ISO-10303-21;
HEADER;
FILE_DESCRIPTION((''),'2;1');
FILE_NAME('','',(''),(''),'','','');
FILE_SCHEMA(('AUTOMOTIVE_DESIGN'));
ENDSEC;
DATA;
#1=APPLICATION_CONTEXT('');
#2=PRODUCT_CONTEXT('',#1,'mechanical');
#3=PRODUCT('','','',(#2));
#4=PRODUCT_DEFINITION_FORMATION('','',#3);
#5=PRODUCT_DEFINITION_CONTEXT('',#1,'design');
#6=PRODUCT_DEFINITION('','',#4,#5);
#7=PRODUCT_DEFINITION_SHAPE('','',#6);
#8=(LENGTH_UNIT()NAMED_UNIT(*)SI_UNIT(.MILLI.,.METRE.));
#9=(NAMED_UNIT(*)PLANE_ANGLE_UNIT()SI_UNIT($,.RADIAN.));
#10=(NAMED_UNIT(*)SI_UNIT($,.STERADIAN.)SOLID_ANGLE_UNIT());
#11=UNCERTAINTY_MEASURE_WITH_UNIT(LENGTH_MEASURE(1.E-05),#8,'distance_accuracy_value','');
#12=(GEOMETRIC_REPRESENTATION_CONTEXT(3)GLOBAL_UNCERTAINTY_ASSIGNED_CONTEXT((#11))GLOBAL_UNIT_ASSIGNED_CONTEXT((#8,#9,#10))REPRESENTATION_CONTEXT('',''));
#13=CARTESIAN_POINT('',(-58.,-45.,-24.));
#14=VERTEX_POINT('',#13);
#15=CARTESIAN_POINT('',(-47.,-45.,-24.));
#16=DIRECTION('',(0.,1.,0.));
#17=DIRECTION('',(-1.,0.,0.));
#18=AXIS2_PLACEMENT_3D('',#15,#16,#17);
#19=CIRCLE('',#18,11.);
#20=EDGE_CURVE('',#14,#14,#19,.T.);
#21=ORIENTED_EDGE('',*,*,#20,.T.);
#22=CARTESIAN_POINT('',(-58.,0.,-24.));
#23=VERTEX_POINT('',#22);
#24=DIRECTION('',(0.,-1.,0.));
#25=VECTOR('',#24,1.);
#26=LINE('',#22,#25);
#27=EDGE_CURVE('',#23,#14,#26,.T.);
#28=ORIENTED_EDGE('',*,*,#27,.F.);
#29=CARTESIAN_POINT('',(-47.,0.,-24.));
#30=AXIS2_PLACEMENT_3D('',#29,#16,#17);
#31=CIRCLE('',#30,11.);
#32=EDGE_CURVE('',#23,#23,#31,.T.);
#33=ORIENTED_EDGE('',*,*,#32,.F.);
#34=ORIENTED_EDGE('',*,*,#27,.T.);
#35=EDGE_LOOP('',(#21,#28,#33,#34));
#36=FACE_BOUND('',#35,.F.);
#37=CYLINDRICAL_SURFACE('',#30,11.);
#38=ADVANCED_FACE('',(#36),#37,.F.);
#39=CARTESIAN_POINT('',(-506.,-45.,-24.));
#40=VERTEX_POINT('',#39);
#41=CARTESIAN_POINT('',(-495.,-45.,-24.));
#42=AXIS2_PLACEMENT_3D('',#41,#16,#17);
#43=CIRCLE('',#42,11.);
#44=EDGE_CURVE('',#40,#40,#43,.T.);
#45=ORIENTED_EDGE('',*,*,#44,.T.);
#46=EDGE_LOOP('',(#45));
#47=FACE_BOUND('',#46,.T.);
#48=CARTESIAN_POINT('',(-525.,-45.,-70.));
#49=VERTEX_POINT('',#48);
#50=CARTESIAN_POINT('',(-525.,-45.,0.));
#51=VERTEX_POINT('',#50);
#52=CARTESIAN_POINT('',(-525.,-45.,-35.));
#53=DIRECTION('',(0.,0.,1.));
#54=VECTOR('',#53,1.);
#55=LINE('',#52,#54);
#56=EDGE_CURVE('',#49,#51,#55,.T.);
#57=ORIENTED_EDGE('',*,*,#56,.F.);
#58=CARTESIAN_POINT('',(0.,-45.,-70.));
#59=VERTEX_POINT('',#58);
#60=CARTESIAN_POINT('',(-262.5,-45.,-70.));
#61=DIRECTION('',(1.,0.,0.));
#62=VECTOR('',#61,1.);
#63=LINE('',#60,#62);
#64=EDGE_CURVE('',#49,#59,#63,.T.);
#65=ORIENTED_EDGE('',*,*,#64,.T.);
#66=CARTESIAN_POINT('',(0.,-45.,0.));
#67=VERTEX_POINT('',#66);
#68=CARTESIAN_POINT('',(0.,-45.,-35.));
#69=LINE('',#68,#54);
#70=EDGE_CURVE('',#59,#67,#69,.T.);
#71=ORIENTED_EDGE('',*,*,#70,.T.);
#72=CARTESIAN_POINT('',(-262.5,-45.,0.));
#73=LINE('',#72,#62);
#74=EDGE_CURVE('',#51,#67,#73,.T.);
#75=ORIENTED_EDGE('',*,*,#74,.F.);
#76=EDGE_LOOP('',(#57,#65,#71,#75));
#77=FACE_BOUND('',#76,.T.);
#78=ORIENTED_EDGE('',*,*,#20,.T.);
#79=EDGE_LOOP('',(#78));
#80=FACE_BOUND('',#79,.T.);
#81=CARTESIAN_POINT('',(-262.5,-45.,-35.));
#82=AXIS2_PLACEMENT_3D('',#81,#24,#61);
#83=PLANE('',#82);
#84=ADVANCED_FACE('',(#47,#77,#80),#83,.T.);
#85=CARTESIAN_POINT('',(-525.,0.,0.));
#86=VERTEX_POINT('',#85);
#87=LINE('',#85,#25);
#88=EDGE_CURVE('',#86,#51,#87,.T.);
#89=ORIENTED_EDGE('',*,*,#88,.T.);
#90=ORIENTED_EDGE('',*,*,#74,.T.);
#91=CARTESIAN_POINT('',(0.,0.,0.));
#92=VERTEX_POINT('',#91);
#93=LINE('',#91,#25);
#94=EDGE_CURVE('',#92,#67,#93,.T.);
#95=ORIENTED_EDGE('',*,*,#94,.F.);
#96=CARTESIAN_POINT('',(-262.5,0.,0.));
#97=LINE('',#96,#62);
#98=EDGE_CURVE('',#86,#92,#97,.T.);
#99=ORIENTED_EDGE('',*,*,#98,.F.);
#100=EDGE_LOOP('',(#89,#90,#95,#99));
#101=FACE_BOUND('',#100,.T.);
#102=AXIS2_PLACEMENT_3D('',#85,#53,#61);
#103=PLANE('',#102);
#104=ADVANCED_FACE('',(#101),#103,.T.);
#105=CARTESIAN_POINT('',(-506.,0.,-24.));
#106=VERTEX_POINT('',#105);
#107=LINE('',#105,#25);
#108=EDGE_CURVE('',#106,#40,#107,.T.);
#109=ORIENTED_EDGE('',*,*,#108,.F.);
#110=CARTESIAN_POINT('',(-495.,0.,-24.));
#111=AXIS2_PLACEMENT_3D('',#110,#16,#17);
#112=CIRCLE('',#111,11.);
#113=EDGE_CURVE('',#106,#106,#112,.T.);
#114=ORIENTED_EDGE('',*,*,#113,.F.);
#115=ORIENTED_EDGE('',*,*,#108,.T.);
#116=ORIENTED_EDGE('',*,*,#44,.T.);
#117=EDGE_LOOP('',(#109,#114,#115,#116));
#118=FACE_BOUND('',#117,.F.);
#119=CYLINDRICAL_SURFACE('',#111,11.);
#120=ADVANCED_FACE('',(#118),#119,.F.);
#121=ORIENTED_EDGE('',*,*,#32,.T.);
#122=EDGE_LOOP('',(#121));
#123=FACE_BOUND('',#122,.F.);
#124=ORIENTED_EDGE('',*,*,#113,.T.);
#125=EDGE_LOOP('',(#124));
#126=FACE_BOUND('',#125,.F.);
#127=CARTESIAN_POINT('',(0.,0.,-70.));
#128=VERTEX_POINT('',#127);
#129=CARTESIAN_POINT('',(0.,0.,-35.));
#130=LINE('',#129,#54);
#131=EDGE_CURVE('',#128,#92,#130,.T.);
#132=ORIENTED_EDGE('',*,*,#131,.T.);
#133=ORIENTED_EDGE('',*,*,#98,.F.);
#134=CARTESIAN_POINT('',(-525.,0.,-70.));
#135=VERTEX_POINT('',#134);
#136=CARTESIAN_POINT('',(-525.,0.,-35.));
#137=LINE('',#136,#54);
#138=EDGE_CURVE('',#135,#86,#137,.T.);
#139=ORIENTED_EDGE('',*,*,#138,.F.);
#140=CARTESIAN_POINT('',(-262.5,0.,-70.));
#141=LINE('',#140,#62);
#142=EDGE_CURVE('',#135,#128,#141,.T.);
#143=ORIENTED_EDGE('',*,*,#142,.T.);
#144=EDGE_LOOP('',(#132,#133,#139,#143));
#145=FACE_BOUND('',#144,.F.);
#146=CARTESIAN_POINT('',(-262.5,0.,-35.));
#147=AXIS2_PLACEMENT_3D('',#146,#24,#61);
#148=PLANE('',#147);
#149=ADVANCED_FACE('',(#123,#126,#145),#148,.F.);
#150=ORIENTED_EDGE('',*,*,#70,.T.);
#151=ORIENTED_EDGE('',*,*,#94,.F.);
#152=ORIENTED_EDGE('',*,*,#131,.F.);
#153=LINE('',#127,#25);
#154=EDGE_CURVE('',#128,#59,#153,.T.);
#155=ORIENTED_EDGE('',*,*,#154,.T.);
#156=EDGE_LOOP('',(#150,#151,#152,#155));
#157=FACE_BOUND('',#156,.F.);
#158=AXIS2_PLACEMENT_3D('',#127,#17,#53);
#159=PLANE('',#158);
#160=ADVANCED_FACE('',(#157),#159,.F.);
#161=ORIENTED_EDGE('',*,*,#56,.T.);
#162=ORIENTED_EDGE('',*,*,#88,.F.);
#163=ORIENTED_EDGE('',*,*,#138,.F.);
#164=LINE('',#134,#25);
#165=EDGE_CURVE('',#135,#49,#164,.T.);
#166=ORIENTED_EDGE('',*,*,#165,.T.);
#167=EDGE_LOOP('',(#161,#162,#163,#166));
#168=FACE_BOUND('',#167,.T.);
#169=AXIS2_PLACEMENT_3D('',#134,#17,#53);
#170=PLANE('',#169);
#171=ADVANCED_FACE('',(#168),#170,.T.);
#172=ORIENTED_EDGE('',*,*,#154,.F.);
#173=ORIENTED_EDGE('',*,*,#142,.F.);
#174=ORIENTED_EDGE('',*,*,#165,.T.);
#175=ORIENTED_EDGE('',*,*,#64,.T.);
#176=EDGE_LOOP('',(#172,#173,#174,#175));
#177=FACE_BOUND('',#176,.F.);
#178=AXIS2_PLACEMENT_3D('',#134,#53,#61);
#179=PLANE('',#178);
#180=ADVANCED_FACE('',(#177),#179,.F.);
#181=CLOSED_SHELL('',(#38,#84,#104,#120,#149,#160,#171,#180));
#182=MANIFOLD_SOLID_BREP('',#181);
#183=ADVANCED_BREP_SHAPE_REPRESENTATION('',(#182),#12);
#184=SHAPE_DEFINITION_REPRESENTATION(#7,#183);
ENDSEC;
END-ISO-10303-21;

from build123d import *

# Parameters (mm, degrees)
F0_W     = 525
F0_H     = 70
F1_DEPTH = 45
F2_R     = 11
F3_DEPTH = 45.001
F4_R     = 11
F5_DEPTH = 45.001


with BuildPart() as f1:
    # F0 (on Front) → F1 (new body)
    with BuildSketch(Plane.XZ):
        with Locations((-262.5, -35)):
            Rectangle(F0_W, F0_H)
    extrude(amount=F1_DEPTH)

    # F2 (on face) → F3 (cut, through all)
    with BuildSketch(Plane(origin=(0, 0, 0), x_dir=(-1, 0, 0), z_dir=(0, 1, 0))):
        with Locations((495, -24)):
            Circle(F2_R)
    extrude(amount=-F3_DEPTH, mode=Mode.SUBTRACT)

    # F4 (on face) → F5 (cut, through all)
    with BuildSketch(Plane(origin=(0, 0, 0), x_dir=(-1, 0, 0), z_dir=(0, 1, 0))):
        with Locations((47, -24)):
            Circle(F4_R)
    extrude(amount=-F5_DEPTH, mode=Mode.SUBTRACT)


solid = f1.part
